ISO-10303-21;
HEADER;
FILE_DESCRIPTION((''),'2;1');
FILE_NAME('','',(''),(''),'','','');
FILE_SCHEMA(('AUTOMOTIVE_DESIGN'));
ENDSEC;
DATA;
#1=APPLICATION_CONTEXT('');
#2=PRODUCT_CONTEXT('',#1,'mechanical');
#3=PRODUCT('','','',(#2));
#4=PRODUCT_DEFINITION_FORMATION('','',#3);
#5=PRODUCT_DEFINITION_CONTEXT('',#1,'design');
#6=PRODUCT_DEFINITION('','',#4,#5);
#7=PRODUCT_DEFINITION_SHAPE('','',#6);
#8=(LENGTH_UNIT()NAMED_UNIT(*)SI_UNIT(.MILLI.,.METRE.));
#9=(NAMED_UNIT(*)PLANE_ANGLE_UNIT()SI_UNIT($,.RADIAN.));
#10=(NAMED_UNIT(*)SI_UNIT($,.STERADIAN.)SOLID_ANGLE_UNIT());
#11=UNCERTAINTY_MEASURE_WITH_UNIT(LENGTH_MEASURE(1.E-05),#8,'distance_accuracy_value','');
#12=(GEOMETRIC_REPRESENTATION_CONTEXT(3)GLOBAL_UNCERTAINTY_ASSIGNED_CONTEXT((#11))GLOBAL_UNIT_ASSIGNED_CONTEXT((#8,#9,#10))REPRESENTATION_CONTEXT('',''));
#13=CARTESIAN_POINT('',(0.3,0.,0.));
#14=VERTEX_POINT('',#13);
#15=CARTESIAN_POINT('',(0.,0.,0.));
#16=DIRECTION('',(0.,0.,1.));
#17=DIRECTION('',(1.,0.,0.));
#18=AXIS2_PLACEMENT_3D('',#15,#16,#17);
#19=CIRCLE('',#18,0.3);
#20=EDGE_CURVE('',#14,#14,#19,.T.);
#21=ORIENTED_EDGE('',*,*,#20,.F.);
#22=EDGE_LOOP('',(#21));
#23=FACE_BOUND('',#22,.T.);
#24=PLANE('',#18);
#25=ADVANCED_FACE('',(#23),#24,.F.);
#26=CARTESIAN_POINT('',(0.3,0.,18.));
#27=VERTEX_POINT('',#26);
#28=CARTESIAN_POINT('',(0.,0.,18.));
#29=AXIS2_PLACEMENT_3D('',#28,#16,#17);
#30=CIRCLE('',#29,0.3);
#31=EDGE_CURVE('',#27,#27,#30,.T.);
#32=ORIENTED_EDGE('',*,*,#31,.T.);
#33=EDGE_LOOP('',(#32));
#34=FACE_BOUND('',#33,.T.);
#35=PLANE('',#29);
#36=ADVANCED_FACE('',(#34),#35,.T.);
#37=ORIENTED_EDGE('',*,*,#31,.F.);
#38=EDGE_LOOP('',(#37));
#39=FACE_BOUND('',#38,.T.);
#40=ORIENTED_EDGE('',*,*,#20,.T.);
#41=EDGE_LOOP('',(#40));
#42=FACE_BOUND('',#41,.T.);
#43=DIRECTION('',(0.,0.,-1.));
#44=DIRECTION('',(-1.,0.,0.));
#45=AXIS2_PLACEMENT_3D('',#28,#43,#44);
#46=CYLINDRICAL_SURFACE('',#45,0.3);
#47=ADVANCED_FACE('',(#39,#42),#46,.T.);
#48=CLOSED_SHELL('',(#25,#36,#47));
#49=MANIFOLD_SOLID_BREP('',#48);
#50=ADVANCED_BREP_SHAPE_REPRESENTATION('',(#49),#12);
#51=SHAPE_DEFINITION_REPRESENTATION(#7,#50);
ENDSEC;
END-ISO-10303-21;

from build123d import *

# Parameters (mm, degrees)
SKETCH1_R           = 0.3
BOSS_EXTRUDE1_DEPTH = 18


with BuildPart() as part:
    # Sketch1 → Boss-Extrude1 (new body)
    with BuildSketch(Plane.XY):
        Circle(SKETCH1_R)
    extrude(amount=BOSS_EXTRUDE1_DEPTH)


solid = part.part
